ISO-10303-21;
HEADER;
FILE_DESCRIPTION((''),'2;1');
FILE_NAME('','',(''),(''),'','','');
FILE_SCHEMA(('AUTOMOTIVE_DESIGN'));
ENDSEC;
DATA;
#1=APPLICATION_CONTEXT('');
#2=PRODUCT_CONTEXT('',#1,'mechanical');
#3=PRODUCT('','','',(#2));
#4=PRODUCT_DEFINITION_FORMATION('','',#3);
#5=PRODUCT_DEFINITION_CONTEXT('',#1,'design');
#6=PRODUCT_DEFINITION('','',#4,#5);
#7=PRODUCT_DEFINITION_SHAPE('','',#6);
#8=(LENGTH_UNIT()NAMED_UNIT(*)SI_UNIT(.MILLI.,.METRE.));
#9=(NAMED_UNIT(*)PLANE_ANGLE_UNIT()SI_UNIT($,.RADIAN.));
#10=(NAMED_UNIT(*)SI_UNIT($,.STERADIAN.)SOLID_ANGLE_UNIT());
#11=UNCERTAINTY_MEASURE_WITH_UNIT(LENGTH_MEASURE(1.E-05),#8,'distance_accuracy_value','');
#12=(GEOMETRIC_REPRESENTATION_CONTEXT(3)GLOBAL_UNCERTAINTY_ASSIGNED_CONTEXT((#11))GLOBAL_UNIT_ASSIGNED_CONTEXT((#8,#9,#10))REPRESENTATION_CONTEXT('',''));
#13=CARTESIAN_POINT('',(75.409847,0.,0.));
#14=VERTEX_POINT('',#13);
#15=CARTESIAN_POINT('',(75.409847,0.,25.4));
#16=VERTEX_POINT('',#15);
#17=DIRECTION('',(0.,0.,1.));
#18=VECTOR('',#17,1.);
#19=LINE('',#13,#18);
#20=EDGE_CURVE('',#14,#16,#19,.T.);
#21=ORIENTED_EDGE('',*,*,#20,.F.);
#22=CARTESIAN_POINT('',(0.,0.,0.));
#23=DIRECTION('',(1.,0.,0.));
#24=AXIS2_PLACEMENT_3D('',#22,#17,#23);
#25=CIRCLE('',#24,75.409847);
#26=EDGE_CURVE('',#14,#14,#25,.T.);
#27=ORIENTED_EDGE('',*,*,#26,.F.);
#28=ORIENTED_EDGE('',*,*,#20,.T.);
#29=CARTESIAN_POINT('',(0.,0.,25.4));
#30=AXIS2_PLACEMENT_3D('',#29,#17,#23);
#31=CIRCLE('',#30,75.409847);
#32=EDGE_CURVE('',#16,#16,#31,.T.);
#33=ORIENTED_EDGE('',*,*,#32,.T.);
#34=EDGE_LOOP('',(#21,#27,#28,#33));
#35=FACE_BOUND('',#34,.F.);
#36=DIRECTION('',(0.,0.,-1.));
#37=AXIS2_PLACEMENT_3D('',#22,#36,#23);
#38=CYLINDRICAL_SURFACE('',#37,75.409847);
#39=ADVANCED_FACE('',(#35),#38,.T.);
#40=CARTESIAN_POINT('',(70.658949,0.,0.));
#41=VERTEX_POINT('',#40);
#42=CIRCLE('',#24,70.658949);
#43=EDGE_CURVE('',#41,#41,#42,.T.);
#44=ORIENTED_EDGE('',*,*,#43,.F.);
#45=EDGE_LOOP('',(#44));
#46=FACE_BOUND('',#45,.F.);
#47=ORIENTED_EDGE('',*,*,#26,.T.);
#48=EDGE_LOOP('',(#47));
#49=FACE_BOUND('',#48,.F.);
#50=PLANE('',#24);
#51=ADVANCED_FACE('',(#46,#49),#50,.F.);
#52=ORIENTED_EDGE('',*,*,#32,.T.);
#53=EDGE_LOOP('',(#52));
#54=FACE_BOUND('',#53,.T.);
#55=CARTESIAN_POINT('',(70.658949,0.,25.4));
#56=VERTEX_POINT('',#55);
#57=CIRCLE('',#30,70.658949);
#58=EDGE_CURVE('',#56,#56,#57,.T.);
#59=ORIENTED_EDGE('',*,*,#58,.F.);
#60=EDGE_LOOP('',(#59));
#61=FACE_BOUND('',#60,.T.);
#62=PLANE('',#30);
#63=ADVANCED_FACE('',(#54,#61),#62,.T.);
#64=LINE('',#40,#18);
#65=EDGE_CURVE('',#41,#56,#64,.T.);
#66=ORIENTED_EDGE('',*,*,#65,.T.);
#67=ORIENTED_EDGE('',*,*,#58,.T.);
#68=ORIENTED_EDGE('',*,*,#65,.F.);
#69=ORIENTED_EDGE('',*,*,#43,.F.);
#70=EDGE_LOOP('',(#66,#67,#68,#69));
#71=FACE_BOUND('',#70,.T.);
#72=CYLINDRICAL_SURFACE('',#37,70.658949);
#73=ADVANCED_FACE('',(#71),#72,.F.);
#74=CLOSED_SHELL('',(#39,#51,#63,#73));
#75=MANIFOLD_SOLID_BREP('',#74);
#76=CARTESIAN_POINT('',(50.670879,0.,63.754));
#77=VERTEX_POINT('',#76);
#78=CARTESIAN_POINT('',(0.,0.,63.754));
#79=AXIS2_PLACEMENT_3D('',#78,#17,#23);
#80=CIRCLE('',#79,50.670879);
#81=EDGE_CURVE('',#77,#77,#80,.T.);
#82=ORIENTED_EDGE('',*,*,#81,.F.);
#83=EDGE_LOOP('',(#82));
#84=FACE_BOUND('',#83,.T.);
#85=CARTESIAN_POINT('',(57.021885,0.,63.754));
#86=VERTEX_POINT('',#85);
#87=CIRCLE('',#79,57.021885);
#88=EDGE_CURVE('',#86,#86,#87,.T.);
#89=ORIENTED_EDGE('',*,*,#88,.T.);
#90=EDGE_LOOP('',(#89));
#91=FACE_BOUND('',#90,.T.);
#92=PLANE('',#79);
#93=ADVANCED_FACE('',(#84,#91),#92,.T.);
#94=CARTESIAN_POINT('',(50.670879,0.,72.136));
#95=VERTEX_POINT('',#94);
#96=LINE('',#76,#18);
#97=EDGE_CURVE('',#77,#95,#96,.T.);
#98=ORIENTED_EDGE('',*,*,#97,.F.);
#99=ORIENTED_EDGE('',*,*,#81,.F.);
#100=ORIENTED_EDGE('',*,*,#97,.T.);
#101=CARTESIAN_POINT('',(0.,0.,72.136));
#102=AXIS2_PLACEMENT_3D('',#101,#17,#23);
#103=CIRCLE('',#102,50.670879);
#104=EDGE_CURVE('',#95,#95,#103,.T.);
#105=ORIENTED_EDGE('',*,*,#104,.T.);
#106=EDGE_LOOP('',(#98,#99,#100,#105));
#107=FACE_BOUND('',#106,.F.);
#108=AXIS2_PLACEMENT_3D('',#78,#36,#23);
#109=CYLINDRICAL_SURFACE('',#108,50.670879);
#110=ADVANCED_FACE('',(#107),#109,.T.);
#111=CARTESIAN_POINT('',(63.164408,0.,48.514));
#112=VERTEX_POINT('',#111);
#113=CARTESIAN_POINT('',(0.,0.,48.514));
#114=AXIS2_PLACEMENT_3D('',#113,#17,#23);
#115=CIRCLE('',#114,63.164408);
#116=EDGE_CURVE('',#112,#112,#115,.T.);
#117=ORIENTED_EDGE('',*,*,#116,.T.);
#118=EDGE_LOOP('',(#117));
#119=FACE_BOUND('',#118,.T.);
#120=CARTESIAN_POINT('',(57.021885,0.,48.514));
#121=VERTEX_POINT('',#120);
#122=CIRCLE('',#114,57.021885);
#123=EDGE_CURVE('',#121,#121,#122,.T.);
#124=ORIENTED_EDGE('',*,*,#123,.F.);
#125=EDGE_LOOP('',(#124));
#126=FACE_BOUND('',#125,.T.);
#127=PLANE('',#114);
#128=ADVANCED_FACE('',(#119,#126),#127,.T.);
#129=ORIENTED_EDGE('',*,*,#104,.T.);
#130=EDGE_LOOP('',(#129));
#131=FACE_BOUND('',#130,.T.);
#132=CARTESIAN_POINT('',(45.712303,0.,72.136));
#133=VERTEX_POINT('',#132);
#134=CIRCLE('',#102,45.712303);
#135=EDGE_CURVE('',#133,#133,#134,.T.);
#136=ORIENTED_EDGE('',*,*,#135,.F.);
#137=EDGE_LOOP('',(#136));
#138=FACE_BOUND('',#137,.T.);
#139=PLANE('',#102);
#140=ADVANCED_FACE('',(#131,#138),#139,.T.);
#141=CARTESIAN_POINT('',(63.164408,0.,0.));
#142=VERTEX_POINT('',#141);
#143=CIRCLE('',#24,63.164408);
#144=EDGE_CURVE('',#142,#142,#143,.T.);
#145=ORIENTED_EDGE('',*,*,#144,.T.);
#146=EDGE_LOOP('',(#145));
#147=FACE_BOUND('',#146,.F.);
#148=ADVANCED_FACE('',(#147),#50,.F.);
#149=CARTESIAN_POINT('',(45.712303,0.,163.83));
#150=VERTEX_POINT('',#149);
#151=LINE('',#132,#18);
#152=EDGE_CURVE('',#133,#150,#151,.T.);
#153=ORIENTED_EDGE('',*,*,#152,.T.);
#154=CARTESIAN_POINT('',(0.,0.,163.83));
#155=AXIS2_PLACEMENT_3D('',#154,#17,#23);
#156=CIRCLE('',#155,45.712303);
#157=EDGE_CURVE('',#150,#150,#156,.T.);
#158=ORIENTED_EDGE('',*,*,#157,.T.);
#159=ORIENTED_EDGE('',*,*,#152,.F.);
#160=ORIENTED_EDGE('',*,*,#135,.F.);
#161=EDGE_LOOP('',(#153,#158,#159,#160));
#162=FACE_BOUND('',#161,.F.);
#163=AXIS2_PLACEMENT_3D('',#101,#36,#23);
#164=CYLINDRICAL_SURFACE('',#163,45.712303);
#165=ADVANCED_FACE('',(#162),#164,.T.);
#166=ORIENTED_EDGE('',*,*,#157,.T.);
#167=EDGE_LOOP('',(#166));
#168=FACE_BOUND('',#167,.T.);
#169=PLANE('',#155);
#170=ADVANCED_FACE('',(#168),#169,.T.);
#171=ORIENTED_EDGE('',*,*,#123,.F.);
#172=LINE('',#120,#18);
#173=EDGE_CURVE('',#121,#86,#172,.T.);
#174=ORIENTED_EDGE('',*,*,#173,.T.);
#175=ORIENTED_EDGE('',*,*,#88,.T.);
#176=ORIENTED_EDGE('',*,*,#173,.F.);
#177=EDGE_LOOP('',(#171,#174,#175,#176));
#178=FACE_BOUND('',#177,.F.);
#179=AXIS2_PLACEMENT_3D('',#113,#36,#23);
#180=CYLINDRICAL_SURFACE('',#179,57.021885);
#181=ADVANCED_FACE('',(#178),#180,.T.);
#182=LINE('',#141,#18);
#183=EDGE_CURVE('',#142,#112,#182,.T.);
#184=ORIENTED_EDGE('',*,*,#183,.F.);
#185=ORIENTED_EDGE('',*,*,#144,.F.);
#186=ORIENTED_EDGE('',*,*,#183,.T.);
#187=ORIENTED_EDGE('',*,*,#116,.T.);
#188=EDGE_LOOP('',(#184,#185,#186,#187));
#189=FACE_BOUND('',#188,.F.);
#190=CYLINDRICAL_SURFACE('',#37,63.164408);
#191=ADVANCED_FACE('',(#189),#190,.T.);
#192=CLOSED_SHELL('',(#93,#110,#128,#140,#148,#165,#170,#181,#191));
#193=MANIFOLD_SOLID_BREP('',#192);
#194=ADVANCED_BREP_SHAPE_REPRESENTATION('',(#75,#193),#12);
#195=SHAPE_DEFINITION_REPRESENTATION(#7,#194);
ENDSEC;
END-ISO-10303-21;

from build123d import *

# Parameters (mm, degrees)
F0_R        = 75.4098467948
F0_R_2      = 70.6589488297
F1_DEPTH    = 25.4
F1_FACE_R   = 75.4098467948
F1_FACE_R_2 = 70.6589488297
F2_DEPTH    = 25.4
F3_R        = 63.164408374
F4_DEPTH    = 48.514
F5_R        = 57.0218847932
F6_DEPTH    = 15.24
F7_R        = 50.6708794685
F8_DEPTH    = 8.382
F9_R        = 45.7123034212
F10_DEPTH   = 91.694


with BuildPart() as f1:
    # F0 (on Top) → F1 (new body)
    with BuildSketch(Plane.XY):
        Circle(F0_R)
        Circle(F0_R_2, mode=Mode.SUBTRACT)
    extrude(amount=F1_DEPTH)

    # F0 (on Top) + F1_face (on face) → F2 (join)
    with BuildSketch(Plane.XY):
        Circle(F0_R)
        Circle(F0_R_2, mode=Mode.SUBTRACT)
    with BuildSketch(Plane(origin=(0, 0, 0), x_dir=(1, 0, 0), z_dir=(0, 0, -1))):
        Circle(F1_FACE_R)
        Circle(F1_FACE_R_2, mode=Mode.SUBTRACT)
    extrude(amount=F2_DEPTH, dir=(0, 0, 1))


with BuildPart() as f4:
    # F3 (on Top) → F4 (new body)
    with BuildSketch(Plane.XY):
        Circle(F3_R)
    extrude(amount=F4_DEPTH)

    # F5 (on face) → F6 (join)
    with BuildSketch(Plane.XY.offset(48.514)):
        Circle(F5_R)
    extrude(amount=F6_DEPTH)

    # F7 (on face) → F8 (join)
    with BuildSketch(Plane.XY.offset(63.754)):
        Circle(F7_R)
    extrude(amount=F8_DEPTH)

    # F9 (on face) → F10 (join)
    with BuildSketch(Plane.XY.offset(72.136)):
        Circle(F9_R)
    extrude(amount=F10_DEPTH)


solid = Compound([f1.part, f4.part])
